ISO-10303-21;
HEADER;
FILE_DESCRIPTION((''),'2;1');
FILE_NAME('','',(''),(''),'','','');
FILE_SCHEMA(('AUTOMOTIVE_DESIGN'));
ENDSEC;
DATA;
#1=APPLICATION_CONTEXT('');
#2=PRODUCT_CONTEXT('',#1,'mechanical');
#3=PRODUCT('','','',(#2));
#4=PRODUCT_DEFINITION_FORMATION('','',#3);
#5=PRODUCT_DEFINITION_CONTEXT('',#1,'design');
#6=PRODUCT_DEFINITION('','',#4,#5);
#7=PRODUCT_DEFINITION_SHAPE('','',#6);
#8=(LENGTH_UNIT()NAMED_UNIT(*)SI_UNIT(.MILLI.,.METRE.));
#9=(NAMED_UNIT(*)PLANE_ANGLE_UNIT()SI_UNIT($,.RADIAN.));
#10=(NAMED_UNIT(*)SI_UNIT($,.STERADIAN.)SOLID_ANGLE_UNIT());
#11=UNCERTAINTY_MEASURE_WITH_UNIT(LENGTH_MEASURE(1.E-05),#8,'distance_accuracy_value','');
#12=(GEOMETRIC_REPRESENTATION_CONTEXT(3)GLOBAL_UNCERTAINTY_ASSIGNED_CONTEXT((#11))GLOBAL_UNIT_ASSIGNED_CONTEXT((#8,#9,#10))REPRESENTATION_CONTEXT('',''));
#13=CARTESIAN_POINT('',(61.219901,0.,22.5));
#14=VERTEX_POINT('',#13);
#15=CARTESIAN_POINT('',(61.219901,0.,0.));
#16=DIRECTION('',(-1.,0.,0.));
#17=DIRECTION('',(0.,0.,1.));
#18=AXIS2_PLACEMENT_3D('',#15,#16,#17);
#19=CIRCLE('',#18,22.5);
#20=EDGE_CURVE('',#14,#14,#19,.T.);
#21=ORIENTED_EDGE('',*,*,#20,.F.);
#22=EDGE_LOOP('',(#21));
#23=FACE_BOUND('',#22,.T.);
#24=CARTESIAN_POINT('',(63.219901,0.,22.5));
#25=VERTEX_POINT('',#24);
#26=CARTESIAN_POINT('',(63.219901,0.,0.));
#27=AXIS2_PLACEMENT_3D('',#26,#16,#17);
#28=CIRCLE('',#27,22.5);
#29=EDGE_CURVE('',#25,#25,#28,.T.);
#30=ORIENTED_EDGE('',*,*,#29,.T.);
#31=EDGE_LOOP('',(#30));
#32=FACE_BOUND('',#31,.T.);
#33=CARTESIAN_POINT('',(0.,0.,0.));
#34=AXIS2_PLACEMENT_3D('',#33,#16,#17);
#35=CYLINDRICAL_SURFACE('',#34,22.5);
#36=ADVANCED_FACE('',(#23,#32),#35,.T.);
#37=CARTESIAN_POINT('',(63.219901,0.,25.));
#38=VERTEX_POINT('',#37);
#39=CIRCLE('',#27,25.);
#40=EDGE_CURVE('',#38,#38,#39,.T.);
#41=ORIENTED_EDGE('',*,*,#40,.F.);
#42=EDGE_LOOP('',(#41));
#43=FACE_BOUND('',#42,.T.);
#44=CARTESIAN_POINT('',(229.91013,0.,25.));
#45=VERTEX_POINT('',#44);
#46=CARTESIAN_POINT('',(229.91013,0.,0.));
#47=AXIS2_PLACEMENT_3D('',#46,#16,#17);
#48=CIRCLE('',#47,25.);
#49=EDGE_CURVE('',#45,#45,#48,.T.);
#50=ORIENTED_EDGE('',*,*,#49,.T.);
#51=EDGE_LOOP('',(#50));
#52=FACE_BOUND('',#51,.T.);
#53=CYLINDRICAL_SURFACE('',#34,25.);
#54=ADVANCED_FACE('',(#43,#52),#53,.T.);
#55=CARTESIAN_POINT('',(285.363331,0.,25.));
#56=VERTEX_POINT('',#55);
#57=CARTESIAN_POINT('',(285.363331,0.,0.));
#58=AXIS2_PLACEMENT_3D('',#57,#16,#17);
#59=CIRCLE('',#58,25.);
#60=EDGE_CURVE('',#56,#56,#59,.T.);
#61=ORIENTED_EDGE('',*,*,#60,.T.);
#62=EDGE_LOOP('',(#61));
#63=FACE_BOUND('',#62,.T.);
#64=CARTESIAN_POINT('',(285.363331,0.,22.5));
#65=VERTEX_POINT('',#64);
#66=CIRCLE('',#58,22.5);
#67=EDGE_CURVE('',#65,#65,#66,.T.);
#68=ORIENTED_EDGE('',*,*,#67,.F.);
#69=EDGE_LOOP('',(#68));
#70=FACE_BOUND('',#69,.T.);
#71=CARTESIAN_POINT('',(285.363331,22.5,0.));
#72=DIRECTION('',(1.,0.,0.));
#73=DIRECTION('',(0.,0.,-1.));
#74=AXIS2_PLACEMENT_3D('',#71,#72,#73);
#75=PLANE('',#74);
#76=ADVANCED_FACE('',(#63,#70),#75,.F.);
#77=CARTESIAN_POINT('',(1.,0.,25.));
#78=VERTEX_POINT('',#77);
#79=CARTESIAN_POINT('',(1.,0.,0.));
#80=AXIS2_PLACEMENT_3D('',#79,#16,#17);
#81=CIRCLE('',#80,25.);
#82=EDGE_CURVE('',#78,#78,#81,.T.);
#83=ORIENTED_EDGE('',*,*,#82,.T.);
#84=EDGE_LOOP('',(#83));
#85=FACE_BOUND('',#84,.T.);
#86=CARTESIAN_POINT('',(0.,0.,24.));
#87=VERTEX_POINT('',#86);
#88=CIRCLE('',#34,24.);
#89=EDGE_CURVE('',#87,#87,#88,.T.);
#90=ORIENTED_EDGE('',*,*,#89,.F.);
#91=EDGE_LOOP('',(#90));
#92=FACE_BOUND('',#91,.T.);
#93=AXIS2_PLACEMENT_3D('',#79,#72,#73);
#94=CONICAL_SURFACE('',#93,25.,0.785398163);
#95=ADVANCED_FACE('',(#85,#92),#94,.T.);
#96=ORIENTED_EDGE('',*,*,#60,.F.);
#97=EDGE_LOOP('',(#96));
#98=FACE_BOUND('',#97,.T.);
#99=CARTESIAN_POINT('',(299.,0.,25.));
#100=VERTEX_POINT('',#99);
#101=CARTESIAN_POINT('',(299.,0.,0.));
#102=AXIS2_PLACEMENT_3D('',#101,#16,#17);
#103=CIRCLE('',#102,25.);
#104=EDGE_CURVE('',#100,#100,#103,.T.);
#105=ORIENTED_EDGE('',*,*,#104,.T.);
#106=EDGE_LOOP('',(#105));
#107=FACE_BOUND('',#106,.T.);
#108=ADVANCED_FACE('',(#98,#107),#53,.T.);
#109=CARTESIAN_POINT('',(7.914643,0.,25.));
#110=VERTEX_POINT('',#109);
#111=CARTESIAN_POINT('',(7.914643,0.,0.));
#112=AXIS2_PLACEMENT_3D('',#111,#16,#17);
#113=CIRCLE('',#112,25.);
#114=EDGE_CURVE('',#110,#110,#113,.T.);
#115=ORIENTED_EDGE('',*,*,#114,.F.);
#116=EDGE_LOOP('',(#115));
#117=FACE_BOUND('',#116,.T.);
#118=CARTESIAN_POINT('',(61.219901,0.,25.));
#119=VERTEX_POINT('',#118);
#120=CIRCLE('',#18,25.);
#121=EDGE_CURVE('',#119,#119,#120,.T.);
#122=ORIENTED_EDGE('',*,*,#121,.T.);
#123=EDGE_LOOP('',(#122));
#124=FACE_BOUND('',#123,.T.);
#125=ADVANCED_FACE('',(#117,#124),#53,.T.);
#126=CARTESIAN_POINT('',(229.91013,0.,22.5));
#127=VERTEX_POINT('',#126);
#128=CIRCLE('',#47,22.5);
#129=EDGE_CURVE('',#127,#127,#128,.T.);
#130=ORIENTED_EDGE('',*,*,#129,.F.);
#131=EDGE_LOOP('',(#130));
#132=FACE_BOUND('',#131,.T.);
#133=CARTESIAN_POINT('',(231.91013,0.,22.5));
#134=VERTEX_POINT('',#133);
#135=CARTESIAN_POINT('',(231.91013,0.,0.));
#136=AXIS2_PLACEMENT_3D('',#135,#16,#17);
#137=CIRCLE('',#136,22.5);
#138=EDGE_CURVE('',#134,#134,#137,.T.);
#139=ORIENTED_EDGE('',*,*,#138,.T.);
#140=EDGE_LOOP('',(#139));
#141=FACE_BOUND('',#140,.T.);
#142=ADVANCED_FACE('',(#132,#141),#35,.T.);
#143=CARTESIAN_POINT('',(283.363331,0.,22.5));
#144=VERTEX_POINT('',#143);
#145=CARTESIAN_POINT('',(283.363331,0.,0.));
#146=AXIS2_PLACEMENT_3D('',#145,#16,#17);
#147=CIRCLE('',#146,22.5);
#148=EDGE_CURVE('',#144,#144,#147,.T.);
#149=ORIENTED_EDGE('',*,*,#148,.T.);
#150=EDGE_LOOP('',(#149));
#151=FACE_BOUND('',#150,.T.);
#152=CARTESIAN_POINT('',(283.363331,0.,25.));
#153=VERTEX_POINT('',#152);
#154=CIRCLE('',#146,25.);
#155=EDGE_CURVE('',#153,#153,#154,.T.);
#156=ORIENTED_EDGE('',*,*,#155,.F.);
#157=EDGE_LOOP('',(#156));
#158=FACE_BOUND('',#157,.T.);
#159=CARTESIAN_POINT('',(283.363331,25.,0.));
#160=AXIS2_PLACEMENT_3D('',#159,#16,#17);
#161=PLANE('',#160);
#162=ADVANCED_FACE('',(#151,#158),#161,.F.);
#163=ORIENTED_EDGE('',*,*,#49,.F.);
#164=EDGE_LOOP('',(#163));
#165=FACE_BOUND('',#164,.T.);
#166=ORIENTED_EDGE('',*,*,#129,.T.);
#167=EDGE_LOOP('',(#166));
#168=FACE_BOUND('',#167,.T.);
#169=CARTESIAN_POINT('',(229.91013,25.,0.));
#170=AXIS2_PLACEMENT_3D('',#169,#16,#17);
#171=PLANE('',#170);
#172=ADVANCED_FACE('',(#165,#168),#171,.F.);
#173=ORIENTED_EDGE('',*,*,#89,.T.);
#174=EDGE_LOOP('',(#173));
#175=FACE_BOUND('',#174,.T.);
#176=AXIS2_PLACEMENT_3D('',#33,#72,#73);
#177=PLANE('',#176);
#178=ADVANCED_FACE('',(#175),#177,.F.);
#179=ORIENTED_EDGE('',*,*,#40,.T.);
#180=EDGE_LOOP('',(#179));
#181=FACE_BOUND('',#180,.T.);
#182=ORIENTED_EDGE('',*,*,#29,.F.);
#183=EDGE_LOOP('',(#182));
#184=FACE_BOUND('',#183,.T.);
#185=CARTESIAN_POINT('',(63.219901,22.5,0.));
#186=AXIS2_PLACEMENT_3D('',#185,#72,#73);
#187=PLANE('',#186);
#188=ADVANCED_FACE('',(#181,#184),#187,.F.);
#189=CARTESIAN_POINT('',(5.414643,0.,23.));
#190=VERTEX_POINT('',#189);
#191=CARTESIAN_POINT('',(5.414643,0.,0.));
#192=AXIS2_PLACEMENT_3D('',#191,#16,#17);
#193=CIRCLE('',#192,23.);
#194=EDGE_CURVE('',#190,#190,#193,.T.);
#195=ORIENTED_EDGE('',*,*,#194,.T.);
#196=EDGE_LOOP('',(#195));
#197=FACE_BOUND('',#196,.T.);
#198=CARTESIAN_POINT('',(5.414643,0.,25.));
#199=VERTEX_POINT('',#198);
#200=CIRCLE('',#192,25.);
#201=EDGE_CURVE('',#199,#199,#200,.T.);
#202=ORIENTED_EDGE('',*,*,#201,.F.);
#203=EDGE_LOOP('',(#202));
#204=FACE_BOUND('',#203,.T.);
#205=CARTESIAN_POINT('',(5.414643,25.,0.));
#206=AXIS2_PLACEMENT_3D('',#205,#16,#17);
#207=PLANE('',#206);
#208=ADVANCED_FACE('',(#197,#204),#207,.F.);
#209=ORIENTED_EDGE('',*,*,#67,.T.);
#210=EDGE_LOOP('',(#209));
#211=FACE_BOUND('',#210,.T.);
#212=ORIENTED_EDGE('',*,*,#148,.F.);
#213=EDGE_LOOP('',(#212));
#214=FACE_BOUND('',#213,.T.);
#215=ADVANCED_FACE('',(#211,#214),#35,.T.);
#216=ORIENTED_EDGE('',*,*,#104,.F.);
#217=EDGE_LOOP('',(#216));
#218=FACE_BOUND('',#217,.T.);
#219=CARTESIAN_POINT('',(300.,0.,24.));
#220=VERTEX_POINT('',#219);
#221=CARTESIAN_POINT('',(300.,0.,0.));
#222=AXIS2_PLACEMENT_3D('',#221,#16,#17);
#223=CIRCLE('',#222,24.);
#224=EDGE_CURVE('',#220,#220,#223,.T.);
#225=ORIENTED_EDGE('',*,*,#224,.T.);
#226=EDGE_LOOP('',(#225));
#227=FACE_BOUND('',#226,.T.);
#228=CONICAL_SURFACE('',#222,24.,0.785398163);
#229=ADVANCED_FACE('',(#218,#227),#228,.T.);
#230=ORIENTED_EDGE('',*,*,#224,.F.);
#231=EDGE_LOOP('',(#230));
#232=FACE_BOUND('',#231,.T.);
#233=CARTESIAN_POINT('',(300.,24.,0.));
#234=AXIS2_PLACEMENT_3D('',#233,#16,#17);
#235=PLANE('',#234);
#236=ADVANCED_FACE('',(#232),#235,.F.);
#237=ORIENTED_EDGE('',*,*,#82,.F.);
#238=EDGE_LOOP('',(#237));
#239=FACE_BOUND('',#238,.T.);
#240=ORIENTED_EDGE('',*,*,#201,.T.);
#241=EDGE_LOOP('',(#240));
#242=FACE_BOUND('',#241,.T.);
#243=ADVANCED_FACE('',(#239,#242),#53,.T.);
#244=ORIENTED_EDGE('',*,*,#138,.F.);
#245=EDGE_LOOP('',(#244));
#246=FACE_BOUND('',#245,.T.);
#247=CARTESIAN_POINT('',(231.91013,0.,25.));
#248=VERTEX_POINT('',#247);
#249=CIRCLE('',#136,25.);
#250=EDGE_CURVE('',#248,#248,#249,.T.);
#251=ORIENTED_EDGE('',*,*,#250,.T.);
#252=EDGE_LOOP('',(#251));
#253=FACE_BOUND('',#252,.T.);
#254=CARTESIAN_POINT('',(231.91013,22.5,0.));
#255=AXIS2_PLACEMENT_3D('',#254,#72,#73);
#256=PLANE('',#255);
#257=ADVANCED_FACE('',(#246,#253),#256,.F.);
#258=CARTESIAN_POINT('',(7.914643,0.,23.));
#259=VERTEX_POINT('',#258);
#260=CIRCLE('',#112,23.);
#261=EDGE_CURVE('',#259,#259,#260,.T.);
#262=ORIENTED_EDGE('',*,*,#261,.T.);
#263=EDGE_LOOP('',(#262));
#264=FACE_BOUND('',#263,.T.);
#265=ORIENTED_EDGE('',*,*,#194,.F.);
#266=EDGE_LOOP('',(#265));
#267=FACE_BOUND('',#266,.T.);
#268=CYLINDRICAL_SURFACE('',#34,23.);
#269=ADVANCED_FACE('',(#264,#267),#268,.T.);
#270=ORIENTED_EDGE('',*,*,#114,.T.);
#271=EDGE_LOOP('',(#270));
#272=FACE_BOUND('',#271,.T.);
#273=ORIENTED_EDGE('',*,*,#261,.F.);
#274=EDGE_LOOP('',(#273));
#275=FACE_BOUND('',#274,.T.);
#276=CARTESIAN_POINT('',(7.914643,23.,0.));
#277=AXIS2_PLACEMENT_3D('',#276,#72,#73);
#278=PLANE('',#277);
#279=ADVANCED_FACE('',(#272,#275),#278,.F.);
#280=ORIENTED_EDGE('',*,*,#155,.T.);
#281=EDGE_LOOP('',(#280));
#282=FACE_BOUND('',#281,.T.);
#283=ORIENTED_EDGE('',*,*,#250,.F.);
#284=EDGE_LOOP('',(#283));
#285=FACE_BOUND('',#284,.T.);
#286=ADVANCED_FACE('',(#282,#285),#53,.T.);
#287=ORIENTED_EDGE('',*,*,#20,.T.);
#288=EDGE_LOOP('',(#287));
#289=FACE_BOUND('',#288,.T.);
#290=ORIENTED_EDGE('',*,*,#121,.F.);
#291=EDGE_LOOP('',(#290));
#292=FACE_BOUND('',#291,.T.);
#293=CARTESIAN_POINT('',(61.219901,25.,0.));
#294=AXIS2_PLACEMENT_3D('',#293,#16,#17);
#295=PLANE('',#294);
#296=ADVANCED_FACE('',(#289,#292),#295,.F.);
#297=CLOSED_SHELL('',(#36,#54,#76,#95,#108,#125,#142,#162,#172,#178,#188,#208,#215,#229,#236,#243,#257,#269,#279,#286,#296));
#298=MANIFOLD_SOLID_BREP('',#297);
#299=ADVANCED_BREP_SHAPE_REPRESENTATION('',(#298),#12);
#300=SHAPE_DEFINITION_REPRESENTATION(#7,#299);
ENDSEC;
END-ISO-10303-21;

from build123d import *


with BuildPart() as part:
    # Esboço1 → Revolução1 (revolve)
    with BuildSketch(Plane.XY, mode=Mode.PRIVATE) as revolu_o1_sk:
        Polygon((0, 0), (300, 0), (300, 24), (299, 25), (285.363331024, 25), (285.363331024, 22.5), (283.363331024, 22.5), (283.363331024, 25), (231.910129711, 25), (231.910129711, 22.5), (229.910129711, 22.5), (229.910129711, 25), (220, 25), (63.219900676, 25), (63.219900676, 22.5), (61.219900676, 22.5), (61.219900676, 25), (7.914643103, 25), (7.914643103, 23), (5.414643103, 23), (5.414643103, 25), (1, 25), (0, 24), align=None)
    revolve(revolu_o1_sk.sketch.rotate(Axis((0, 0, 0), (1, 0, 0)), 90), axis=Axis((0, 0, 0), (1, 0, 0)))


solid = part.part
